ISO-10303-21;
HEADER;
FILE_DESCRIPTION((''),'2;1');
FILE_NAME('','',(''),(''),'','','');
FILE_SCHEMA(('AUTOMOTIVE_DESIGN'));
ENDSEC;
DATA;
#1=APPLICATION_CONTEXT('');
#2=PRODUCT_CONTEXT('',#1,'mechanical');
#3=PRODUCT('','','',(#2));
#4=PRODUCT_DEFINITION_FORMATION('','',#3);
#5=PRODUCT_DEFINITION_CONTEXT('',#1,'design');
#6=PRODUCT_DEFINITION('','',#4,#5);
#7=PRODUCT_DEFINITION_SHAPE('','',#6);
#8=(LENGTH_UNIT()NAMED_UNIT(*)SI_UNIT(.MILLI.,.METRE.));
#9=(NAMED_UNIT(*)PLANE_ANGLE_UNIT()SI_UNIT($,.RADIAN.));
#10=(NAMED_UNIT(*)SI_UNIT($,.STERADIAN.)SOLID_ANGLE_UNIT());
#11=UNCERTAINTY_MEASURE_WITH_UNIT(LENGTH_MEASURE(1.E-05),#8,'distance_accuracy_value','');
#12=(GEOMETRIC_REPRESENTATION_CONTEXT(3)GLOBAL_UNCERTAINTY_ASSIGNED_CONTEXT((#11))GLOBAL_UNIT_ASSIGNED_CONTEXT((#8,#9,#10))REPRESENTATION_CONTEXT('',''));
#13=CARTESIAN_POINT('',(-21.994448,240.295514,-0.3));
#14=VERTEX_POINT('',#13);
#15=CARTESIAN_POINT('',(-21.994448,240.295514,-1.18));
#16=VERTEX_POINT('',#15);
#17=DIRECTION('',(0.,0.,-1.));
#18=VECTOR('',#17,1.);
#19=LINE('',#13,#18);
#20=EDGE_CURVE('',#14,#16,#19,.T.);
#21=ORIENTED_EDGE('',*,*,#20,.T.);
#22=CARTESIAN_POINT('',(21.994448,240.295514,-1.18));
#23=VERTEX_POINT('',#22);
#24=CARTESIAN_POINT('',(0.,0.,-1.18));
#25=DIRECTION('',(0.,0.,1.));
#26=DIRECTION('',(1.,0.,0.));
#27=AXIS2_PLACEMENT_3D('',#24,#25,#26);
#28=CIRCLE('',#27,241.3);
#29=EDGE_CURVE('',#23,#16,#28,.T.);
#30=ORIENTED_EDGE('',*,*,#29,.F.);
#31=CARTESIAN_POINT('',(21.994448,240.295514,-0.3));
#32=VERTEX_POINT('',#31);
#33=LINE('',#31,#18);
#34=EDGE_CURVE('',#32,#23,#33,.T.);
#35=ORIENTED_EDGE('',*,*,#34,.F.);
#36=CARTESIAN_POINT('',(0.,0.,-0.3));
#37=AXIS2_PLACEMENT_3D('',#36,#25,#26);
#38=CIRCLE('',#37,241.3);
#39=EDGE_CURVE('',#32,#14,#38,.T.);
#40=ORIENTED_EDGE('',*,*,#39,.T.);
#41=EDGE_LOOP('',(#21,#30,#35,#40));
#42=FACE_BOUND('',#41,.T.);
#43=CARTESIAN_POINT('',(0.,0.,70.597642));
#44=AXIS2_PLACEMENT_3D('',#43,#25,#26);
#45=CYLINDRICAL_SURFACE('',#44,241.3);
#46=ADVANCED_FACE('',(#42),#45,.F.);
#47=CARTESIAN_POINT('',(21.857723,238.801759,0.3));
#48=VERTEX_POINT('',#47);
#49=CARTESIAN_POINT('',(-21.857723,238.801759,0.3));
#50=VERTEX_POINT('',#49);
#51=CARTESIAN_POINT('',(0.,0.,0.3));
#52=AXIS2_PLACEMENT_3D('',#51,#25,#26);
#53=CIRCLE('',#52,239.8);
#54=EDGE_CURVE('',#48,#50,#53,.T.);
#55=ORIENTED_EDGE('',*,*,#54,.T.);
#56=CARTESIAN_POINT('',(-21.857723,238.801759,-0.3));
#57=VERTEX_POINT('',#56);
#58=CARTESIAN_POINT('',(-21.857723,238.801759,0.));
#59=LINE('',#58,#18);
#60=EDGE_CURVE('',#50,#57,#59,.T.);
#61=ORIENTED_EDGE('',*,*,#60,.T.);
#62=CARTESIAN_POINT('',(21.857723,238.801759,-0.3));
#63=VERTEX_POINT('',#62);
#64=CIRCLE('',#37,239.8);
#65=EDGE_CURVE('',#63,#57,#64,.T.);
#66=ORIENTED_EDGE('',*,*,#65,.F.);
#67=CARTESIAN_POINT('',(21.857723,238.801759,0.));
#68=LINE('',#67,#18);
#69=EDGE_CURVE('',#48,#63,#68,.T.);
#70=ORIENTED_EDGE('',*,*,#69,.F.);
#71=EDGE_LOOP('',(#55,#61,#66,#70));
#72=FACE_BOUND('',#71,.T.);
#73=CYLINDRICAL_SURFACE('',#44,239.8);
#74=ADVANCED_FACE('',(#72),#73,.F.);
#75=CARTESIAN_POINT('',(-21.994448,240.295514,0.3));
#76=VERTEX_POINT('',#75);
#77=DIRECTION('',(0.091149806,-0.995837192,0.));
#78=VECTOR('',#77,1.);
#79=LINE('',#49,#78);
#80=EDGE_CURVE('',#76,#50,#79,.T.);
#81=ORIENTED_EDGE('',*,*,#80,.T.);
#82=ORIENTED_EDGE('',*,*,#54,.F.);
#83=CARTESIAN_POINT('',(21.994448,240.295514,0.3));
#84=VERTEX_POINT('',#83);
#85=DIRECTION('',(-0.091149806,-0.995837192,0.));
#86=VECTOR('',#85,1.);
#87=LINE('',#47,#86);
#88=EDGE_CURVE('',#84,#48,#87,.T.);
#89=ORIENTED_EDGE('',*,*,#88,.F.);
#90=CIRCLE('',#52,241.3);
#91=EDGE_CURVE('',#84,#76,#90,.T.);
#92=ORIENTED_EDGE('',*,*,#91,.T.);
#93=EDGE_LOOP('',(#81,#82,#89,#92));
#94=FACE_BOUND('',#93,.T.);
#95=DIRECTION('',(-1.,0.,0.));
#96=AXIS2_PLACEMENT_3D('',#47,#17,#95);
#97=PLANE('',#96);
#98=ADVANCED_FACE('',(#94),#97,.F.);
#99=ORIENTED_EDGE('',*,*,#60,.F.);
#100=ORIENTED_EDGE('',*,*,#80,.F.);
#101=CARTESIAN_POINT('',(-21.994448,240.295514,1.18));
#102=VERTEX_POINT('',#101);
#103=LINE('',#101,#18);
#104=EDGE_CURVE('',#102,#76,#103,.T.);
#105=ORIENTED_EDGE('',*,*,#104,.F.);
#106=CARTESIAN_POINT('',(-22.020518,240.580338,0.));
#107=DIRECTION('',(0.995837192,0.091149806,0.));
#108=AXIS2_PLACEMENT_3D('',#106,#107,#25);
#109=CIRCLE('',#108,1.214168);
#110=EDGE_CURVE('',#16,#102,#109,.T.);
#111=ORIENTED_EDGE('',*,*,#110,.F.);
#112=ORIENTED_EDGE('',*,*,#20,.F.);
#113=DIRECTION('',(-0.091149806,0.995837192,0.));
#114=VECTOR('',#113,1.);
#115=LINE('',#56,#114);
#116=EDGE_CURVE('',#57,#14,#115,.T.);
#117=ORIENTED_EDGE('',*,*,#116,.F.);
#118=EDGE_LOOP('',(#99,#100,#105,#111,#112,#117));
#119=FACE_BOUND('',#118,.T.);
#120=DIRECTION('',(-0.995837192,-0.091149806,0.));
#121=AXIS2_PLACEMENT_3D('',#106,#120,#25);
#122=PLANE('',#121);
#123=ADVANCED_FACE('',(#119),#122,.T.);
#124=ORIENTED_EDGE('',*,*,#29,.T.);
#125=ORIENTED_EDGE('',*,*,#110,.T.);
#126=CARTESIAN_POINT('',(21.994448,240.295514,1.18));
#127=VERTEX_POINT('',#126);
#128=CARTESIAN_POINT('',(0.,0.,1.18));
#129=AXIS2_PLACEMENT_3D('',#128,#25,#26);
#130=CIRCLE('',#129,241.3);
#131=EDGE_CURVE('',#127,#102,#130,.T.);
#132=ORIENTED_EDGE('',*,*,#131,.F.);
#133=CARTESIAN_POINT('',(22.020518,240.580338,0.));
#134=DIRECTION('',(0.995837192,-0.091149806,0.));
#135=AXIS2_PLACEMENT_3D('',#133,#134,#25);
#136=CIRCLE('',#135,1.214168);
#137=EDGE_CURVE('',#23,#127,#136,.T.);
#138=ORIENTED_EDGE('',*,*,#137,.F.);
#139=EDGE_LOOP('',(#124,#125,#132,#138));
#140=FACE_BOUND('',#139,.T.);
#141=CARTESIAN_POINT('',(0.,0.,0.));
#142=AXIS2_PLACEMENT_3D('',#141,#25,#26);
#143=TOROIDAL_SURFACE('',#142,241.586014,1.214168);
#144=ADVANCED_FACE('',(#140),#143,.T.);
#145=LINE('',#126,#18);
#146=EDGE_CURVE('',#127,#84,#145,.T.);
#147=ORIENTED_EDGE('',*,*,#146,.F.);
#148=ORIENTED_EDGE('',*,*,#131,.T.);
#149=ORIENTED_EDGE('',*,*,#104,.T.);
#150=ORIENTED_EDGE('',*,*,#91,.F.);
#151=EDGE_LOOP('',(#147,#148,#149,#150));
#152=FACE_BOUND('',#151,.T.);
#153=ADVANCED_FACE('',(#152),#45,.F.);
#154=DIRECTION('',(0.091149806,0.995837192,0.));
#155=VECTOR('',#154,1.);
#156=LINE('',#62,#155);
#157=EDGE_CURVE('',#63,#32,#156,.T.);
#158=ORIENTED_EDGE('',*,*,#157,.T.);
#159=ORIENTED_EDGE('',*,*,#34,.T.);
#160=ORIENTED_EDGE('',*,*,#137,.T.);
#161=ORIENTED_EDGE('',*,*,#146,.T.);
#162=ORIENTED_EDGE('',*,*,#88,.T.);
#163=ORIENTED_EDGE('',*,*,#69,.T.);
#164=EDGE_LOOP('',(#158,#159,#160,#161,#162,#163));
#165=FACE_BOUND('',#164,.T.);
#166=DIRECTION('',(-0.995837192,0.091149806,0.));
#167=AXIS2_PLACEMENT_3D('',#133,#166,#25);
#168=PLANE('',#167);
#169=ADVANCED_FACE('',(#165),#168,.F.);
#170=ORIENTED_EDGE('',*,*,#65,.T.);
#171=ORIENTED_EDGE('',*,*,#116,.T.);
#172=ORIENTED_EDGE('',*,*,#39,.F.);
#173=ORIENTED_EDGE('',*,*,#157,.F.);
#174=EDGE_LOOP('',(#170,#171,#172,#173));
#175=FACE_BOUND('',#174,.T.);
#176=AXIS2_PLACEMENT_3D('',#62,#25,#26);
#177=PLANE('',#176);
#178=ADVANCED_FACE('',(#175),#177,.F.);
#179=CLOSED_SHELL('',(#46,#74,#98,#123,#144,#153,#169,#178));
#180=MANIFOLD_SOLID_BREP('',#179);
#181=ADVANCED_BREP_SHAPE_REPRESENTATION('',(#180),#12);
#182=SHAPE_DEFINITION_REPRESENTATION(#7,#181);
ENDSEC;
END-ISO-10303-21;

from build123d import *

# Parameters (mm, degrees)
REVOLVE1_ANGLE           = 5.229758018
REVOLVE1_OTHER_WAY_ANGLE = 5.229758018


with BuildPart() as part:
    # Sketch2 → Revolve1 (revolve)
    with BuildSketch(Plane(origin=(0, 0, 0), x_dir=(0, 0, -1), z_dir=(1, 0, 0))):
        with BuildLine():
            Line((0, 239.8), (0.3, 239.8))
            Line((0.3, 239.8), (0.3, 241.3))
            Line((0.3, 241.3), (1.18, 241.3))
            ThreePointArc((1.18, 241.3), (0, 242.800182019), (-1.18, 241.3))
            Line((-1.18, 241.3), (-0.3, 241.3))
            Line((-0.3, 241.3), (-0.3, 239.8))
            Line((-0.3, 239.8), (0, 239.8))
        make_face()
    revolve(axis=Axis((0, 0, 70.597641597), (0, 0, -1)), revolution_arc=REVOLVE1_ANGLE)

    # Sketch2 → Revolve1 other way (revolve)
    with BuildSketch(Plane(origin=(0, 0, 0), x_dir=(0, 0, -1), z_dir=(1, 0, 0))):
        with BuildLine():
            Line((0, 239.8), (0.3, 239.8))
            Line((0.3, 239.8), (0.3, 241.3))
            Line((0.3, 241.3), (1.18, 241.3))
            ThreePointArc((1.18, 241.3), (0, 242.800182019), (-1.18, 241.3))
            Line((-1.18, 241.3), (-0.3, 241.3))
            Line((-0.3, 241.3), (-0.3, 239.8))
            Line((-0.3, 239.8), (0, 239.8))
        make_face()
    revolve(axis=Axis((0, 0, 70.597641597), (0, 0, 1)), revolution_arc=REVOLVE1_OTHER_WAY_ANGLE)


solid = part.part
